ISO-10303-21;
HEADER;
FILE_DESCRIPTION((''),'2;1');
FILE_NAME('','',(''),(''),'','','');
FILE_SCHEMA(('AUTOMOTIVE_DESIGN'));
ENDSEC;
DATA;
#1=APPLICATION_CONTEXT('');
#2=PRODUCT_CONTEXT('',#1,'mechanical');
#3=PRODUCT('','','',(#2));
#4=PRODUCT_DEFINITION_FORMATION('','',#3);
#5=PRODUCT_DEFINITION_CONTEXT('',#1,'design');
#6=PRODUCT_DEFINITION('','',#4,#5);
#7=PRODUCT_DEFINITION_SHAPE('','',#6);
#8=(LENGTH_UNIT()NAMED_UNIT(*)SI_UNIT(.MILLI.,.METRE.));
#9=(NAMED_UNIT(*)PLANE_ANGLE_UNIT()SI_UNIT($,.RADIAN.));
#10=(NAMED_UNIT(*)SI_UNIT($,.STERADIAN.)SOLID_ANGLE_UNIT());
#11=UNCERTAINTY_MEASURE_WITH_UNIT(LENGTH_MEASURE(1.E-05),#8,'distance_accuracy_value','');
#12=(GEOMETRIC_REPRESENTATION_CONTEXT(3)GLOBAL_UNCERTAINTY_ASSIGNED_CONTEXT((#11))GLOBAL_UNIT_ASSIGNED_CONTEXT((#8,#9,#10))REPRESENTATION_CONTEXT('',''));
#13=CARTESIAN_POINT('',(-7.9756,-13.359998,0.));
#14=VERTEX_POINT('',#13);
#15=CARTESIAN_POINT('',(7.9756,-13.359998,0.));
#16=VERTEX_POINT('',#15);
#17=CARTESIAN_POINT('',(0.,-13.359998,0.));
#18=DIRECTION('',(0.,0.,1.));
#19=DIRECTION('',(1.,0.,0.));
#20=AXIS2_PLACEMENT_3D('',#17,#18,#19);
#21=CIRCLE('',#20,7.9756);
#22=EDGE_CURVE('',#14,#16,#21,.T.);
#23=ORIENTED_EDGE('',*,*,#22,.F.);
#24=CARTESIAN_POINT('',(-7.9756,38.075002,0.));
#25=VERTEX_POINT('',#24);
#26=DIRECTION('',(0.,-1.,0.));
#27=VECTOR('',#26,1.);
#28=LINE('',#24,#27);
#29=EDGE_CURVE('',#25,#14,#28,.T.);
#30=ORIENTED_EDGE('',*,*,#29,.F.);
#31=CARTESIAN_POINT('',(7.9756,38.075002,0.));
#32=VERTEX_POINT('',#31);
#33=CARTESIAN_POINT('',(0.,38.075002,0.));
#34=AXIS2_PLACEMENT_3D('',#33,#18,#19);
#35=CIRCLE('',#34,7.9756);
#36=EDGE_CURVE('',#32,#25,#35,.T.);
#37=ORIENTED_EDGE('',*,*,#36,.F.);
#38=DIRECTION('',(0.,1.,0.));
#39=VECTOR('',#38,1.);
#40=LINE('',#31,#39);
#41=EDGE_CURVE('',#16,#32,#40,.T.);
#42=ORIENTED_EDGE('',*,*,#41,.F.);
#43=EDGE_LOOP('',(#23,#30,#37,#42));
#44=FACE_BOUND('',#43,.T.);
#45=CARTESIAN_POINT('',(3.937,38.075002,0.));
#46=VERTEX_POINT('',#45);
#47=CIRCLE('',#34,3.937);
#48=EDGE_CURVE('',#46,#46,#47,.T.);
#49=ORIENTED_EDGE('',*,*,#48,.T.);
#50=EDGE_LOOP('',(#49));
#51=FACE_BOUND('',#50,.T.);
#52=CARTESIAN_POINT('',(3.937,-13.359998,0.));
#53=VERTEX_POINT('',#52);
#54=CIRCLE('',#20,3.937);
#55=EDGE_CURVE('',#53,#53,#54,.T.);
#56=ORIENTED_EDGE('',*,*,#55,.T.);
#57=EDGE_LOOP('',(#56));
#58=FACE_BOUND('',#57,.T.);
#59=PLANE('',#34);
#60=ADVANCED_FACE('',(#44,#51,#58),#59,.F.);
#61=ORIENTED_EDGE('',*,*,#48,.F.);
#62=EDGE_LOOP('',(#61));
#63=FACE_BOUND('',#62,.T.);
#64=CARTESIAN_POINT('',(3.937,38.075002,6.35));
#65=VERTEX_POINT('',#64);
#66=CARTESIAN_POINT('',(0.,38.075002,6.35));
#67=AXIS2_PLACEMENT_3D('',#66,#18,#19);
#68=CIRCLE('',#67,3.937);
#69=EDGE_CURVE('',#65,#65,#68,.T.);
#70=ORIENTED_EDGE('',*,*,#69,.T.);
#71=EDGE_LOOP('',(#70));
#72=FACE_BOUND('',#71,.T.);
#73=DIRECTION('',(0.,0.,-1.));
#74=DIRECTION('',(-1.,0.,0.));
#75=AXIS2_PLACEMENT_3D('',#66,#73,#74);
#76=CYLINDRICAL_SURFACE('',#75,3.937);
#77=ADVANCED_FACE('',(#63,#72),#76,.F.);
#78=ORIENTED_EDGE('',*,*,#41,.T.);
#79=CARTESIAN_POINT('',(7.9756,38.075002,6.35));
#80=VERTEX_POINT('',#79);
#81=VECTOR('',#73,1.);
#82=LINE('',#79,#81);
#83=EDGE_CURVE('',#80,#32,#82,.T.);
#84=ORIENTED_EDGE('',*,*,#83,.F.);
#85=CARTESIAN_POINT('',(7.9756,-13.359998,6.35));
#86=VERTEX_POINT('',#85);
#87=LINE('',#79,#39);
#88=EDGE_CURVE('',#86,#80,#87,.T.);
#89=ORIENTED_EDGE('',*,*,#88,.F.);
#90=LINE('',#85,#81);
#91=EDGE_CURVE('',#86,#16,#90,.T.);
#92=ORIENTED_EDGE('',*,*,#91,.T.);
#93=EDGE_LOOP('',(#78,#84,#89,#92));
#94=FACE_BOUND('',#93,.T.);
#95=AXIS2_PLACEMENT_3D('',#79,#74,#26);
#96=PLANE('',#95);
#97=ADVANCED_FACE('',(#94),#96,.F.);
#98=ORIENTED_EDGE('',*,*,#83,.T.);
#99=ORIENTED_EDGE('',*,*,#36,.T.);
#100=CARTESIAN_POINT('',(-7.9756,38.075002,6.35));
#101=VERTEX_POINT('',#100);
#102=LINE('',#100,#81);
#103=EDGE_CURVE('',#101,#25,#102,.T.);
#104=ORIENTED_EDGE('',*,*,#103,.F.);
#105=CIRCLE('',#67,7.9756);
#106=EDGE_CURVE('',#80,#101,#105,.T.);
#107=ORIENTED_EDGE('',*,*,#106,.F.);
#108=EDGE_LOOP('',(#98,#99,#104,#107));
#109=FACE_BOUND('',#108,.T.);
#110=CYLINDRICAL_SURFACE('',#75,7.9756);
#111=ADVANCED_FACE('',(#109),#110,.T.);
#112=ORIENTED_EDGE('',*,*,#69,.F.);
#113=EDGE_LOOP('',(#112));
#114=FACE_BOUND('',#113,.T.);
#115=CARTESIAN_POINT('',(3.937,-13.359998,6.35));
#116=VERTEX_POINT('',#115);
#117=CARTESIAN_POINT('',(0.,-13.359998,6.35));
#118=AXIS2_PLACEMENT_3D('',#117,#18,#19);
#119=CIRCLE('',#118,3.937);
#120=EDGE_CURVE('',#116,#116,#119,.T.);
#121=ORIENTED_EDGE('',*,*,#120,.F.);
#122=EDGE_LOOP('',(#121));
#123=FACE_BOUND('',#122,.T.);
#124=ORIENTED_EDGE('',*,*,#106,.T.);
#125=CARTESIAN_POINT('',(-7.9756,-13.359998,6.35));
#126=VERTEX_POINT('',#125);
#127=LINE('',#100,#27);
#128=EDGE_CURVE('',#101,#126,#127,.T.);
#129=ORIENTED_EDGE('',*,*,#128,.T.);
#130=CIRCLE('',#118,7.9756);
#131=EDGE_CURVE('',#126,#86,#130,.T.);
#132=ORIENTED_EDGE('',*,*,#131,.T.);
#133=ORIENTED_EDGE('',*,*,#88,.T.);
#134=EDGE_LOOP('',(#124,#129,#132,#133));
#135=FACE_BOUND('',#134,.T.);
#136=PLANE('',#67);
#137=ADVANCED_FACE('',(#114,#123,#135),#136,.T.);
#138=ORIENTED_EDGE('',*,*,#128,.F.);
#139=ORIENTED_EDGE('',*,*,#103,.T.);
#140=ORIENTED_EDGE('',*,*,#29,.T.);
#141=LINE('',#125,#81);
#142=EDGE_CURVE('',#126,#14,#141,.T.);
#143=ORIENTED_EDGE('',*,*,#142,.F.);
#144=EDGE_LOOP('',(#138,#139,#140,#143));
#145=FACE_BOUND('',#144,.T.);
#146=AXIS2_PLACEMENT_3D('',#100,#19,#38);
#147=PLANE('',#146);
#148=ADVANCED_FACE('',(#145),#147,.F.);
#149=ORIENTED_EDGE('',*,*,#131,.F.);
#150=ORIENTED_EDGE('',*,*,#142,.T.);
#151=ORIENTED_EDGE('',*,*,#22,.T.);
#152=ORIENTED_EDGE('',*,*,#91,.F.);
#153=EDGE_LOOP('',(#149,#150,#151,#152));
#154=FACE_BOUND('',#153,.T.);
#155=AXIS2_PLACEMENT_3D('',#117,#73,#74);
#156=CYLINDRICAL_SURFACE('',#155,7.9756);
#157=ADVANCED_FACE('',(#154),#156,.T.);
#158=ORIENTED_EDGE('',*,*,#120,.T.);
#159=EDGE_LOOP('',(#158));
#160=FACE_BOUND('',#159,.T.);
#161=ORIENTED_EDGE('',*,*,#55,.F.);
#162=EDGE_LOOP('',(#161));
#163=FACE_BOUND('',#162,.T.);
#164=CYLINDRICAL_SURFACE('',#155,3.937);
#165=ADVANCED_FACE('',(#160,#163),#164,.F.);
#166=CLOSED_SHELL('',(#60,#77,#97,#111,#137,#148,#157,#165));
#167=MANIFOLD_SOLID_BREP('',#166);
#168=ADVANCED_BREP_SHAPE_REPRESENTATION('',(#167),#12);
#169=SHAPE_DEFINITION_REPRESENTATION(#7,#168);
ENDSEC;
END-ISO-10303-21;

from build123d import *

# Parameters (mm, degrees)
SKETCH1_R           = 3.937
BOSS_EXTRUDE1_DEPTH = 6.35


with BuildPart() as part:
    # Sketch1 → Boss-Extrude1 (new body)
    with BuildSketch(Plane.XY):
        with BuildLine():
            Line((7.9756, 38.075002032), (7.9756, -13.359997968))
            ThreePointArc((7.9756, -13.359997968), (0, -21.335597968), (-7.9756, -13.359997968))
            Line((-7.9756, -13.359997968), (-7.9756, 38.075002032))
            ThreePointArc((-7.9756, 38.075002032), (0, 46.050602032), (7.9756, 38.075002032))
        make_face()
        with Locations((0, 38.075002032)):
            Circle(SKETCH1_R, mode=Mode.SUBTRACT)
        with Locations((0, -13.359997968)):
            Circle(SKETCH1_R, mode=Mode.SUBTRACT)
    extrude(amount=BOSS_EXTRUDE1_DEPTH)


solid = part.part
